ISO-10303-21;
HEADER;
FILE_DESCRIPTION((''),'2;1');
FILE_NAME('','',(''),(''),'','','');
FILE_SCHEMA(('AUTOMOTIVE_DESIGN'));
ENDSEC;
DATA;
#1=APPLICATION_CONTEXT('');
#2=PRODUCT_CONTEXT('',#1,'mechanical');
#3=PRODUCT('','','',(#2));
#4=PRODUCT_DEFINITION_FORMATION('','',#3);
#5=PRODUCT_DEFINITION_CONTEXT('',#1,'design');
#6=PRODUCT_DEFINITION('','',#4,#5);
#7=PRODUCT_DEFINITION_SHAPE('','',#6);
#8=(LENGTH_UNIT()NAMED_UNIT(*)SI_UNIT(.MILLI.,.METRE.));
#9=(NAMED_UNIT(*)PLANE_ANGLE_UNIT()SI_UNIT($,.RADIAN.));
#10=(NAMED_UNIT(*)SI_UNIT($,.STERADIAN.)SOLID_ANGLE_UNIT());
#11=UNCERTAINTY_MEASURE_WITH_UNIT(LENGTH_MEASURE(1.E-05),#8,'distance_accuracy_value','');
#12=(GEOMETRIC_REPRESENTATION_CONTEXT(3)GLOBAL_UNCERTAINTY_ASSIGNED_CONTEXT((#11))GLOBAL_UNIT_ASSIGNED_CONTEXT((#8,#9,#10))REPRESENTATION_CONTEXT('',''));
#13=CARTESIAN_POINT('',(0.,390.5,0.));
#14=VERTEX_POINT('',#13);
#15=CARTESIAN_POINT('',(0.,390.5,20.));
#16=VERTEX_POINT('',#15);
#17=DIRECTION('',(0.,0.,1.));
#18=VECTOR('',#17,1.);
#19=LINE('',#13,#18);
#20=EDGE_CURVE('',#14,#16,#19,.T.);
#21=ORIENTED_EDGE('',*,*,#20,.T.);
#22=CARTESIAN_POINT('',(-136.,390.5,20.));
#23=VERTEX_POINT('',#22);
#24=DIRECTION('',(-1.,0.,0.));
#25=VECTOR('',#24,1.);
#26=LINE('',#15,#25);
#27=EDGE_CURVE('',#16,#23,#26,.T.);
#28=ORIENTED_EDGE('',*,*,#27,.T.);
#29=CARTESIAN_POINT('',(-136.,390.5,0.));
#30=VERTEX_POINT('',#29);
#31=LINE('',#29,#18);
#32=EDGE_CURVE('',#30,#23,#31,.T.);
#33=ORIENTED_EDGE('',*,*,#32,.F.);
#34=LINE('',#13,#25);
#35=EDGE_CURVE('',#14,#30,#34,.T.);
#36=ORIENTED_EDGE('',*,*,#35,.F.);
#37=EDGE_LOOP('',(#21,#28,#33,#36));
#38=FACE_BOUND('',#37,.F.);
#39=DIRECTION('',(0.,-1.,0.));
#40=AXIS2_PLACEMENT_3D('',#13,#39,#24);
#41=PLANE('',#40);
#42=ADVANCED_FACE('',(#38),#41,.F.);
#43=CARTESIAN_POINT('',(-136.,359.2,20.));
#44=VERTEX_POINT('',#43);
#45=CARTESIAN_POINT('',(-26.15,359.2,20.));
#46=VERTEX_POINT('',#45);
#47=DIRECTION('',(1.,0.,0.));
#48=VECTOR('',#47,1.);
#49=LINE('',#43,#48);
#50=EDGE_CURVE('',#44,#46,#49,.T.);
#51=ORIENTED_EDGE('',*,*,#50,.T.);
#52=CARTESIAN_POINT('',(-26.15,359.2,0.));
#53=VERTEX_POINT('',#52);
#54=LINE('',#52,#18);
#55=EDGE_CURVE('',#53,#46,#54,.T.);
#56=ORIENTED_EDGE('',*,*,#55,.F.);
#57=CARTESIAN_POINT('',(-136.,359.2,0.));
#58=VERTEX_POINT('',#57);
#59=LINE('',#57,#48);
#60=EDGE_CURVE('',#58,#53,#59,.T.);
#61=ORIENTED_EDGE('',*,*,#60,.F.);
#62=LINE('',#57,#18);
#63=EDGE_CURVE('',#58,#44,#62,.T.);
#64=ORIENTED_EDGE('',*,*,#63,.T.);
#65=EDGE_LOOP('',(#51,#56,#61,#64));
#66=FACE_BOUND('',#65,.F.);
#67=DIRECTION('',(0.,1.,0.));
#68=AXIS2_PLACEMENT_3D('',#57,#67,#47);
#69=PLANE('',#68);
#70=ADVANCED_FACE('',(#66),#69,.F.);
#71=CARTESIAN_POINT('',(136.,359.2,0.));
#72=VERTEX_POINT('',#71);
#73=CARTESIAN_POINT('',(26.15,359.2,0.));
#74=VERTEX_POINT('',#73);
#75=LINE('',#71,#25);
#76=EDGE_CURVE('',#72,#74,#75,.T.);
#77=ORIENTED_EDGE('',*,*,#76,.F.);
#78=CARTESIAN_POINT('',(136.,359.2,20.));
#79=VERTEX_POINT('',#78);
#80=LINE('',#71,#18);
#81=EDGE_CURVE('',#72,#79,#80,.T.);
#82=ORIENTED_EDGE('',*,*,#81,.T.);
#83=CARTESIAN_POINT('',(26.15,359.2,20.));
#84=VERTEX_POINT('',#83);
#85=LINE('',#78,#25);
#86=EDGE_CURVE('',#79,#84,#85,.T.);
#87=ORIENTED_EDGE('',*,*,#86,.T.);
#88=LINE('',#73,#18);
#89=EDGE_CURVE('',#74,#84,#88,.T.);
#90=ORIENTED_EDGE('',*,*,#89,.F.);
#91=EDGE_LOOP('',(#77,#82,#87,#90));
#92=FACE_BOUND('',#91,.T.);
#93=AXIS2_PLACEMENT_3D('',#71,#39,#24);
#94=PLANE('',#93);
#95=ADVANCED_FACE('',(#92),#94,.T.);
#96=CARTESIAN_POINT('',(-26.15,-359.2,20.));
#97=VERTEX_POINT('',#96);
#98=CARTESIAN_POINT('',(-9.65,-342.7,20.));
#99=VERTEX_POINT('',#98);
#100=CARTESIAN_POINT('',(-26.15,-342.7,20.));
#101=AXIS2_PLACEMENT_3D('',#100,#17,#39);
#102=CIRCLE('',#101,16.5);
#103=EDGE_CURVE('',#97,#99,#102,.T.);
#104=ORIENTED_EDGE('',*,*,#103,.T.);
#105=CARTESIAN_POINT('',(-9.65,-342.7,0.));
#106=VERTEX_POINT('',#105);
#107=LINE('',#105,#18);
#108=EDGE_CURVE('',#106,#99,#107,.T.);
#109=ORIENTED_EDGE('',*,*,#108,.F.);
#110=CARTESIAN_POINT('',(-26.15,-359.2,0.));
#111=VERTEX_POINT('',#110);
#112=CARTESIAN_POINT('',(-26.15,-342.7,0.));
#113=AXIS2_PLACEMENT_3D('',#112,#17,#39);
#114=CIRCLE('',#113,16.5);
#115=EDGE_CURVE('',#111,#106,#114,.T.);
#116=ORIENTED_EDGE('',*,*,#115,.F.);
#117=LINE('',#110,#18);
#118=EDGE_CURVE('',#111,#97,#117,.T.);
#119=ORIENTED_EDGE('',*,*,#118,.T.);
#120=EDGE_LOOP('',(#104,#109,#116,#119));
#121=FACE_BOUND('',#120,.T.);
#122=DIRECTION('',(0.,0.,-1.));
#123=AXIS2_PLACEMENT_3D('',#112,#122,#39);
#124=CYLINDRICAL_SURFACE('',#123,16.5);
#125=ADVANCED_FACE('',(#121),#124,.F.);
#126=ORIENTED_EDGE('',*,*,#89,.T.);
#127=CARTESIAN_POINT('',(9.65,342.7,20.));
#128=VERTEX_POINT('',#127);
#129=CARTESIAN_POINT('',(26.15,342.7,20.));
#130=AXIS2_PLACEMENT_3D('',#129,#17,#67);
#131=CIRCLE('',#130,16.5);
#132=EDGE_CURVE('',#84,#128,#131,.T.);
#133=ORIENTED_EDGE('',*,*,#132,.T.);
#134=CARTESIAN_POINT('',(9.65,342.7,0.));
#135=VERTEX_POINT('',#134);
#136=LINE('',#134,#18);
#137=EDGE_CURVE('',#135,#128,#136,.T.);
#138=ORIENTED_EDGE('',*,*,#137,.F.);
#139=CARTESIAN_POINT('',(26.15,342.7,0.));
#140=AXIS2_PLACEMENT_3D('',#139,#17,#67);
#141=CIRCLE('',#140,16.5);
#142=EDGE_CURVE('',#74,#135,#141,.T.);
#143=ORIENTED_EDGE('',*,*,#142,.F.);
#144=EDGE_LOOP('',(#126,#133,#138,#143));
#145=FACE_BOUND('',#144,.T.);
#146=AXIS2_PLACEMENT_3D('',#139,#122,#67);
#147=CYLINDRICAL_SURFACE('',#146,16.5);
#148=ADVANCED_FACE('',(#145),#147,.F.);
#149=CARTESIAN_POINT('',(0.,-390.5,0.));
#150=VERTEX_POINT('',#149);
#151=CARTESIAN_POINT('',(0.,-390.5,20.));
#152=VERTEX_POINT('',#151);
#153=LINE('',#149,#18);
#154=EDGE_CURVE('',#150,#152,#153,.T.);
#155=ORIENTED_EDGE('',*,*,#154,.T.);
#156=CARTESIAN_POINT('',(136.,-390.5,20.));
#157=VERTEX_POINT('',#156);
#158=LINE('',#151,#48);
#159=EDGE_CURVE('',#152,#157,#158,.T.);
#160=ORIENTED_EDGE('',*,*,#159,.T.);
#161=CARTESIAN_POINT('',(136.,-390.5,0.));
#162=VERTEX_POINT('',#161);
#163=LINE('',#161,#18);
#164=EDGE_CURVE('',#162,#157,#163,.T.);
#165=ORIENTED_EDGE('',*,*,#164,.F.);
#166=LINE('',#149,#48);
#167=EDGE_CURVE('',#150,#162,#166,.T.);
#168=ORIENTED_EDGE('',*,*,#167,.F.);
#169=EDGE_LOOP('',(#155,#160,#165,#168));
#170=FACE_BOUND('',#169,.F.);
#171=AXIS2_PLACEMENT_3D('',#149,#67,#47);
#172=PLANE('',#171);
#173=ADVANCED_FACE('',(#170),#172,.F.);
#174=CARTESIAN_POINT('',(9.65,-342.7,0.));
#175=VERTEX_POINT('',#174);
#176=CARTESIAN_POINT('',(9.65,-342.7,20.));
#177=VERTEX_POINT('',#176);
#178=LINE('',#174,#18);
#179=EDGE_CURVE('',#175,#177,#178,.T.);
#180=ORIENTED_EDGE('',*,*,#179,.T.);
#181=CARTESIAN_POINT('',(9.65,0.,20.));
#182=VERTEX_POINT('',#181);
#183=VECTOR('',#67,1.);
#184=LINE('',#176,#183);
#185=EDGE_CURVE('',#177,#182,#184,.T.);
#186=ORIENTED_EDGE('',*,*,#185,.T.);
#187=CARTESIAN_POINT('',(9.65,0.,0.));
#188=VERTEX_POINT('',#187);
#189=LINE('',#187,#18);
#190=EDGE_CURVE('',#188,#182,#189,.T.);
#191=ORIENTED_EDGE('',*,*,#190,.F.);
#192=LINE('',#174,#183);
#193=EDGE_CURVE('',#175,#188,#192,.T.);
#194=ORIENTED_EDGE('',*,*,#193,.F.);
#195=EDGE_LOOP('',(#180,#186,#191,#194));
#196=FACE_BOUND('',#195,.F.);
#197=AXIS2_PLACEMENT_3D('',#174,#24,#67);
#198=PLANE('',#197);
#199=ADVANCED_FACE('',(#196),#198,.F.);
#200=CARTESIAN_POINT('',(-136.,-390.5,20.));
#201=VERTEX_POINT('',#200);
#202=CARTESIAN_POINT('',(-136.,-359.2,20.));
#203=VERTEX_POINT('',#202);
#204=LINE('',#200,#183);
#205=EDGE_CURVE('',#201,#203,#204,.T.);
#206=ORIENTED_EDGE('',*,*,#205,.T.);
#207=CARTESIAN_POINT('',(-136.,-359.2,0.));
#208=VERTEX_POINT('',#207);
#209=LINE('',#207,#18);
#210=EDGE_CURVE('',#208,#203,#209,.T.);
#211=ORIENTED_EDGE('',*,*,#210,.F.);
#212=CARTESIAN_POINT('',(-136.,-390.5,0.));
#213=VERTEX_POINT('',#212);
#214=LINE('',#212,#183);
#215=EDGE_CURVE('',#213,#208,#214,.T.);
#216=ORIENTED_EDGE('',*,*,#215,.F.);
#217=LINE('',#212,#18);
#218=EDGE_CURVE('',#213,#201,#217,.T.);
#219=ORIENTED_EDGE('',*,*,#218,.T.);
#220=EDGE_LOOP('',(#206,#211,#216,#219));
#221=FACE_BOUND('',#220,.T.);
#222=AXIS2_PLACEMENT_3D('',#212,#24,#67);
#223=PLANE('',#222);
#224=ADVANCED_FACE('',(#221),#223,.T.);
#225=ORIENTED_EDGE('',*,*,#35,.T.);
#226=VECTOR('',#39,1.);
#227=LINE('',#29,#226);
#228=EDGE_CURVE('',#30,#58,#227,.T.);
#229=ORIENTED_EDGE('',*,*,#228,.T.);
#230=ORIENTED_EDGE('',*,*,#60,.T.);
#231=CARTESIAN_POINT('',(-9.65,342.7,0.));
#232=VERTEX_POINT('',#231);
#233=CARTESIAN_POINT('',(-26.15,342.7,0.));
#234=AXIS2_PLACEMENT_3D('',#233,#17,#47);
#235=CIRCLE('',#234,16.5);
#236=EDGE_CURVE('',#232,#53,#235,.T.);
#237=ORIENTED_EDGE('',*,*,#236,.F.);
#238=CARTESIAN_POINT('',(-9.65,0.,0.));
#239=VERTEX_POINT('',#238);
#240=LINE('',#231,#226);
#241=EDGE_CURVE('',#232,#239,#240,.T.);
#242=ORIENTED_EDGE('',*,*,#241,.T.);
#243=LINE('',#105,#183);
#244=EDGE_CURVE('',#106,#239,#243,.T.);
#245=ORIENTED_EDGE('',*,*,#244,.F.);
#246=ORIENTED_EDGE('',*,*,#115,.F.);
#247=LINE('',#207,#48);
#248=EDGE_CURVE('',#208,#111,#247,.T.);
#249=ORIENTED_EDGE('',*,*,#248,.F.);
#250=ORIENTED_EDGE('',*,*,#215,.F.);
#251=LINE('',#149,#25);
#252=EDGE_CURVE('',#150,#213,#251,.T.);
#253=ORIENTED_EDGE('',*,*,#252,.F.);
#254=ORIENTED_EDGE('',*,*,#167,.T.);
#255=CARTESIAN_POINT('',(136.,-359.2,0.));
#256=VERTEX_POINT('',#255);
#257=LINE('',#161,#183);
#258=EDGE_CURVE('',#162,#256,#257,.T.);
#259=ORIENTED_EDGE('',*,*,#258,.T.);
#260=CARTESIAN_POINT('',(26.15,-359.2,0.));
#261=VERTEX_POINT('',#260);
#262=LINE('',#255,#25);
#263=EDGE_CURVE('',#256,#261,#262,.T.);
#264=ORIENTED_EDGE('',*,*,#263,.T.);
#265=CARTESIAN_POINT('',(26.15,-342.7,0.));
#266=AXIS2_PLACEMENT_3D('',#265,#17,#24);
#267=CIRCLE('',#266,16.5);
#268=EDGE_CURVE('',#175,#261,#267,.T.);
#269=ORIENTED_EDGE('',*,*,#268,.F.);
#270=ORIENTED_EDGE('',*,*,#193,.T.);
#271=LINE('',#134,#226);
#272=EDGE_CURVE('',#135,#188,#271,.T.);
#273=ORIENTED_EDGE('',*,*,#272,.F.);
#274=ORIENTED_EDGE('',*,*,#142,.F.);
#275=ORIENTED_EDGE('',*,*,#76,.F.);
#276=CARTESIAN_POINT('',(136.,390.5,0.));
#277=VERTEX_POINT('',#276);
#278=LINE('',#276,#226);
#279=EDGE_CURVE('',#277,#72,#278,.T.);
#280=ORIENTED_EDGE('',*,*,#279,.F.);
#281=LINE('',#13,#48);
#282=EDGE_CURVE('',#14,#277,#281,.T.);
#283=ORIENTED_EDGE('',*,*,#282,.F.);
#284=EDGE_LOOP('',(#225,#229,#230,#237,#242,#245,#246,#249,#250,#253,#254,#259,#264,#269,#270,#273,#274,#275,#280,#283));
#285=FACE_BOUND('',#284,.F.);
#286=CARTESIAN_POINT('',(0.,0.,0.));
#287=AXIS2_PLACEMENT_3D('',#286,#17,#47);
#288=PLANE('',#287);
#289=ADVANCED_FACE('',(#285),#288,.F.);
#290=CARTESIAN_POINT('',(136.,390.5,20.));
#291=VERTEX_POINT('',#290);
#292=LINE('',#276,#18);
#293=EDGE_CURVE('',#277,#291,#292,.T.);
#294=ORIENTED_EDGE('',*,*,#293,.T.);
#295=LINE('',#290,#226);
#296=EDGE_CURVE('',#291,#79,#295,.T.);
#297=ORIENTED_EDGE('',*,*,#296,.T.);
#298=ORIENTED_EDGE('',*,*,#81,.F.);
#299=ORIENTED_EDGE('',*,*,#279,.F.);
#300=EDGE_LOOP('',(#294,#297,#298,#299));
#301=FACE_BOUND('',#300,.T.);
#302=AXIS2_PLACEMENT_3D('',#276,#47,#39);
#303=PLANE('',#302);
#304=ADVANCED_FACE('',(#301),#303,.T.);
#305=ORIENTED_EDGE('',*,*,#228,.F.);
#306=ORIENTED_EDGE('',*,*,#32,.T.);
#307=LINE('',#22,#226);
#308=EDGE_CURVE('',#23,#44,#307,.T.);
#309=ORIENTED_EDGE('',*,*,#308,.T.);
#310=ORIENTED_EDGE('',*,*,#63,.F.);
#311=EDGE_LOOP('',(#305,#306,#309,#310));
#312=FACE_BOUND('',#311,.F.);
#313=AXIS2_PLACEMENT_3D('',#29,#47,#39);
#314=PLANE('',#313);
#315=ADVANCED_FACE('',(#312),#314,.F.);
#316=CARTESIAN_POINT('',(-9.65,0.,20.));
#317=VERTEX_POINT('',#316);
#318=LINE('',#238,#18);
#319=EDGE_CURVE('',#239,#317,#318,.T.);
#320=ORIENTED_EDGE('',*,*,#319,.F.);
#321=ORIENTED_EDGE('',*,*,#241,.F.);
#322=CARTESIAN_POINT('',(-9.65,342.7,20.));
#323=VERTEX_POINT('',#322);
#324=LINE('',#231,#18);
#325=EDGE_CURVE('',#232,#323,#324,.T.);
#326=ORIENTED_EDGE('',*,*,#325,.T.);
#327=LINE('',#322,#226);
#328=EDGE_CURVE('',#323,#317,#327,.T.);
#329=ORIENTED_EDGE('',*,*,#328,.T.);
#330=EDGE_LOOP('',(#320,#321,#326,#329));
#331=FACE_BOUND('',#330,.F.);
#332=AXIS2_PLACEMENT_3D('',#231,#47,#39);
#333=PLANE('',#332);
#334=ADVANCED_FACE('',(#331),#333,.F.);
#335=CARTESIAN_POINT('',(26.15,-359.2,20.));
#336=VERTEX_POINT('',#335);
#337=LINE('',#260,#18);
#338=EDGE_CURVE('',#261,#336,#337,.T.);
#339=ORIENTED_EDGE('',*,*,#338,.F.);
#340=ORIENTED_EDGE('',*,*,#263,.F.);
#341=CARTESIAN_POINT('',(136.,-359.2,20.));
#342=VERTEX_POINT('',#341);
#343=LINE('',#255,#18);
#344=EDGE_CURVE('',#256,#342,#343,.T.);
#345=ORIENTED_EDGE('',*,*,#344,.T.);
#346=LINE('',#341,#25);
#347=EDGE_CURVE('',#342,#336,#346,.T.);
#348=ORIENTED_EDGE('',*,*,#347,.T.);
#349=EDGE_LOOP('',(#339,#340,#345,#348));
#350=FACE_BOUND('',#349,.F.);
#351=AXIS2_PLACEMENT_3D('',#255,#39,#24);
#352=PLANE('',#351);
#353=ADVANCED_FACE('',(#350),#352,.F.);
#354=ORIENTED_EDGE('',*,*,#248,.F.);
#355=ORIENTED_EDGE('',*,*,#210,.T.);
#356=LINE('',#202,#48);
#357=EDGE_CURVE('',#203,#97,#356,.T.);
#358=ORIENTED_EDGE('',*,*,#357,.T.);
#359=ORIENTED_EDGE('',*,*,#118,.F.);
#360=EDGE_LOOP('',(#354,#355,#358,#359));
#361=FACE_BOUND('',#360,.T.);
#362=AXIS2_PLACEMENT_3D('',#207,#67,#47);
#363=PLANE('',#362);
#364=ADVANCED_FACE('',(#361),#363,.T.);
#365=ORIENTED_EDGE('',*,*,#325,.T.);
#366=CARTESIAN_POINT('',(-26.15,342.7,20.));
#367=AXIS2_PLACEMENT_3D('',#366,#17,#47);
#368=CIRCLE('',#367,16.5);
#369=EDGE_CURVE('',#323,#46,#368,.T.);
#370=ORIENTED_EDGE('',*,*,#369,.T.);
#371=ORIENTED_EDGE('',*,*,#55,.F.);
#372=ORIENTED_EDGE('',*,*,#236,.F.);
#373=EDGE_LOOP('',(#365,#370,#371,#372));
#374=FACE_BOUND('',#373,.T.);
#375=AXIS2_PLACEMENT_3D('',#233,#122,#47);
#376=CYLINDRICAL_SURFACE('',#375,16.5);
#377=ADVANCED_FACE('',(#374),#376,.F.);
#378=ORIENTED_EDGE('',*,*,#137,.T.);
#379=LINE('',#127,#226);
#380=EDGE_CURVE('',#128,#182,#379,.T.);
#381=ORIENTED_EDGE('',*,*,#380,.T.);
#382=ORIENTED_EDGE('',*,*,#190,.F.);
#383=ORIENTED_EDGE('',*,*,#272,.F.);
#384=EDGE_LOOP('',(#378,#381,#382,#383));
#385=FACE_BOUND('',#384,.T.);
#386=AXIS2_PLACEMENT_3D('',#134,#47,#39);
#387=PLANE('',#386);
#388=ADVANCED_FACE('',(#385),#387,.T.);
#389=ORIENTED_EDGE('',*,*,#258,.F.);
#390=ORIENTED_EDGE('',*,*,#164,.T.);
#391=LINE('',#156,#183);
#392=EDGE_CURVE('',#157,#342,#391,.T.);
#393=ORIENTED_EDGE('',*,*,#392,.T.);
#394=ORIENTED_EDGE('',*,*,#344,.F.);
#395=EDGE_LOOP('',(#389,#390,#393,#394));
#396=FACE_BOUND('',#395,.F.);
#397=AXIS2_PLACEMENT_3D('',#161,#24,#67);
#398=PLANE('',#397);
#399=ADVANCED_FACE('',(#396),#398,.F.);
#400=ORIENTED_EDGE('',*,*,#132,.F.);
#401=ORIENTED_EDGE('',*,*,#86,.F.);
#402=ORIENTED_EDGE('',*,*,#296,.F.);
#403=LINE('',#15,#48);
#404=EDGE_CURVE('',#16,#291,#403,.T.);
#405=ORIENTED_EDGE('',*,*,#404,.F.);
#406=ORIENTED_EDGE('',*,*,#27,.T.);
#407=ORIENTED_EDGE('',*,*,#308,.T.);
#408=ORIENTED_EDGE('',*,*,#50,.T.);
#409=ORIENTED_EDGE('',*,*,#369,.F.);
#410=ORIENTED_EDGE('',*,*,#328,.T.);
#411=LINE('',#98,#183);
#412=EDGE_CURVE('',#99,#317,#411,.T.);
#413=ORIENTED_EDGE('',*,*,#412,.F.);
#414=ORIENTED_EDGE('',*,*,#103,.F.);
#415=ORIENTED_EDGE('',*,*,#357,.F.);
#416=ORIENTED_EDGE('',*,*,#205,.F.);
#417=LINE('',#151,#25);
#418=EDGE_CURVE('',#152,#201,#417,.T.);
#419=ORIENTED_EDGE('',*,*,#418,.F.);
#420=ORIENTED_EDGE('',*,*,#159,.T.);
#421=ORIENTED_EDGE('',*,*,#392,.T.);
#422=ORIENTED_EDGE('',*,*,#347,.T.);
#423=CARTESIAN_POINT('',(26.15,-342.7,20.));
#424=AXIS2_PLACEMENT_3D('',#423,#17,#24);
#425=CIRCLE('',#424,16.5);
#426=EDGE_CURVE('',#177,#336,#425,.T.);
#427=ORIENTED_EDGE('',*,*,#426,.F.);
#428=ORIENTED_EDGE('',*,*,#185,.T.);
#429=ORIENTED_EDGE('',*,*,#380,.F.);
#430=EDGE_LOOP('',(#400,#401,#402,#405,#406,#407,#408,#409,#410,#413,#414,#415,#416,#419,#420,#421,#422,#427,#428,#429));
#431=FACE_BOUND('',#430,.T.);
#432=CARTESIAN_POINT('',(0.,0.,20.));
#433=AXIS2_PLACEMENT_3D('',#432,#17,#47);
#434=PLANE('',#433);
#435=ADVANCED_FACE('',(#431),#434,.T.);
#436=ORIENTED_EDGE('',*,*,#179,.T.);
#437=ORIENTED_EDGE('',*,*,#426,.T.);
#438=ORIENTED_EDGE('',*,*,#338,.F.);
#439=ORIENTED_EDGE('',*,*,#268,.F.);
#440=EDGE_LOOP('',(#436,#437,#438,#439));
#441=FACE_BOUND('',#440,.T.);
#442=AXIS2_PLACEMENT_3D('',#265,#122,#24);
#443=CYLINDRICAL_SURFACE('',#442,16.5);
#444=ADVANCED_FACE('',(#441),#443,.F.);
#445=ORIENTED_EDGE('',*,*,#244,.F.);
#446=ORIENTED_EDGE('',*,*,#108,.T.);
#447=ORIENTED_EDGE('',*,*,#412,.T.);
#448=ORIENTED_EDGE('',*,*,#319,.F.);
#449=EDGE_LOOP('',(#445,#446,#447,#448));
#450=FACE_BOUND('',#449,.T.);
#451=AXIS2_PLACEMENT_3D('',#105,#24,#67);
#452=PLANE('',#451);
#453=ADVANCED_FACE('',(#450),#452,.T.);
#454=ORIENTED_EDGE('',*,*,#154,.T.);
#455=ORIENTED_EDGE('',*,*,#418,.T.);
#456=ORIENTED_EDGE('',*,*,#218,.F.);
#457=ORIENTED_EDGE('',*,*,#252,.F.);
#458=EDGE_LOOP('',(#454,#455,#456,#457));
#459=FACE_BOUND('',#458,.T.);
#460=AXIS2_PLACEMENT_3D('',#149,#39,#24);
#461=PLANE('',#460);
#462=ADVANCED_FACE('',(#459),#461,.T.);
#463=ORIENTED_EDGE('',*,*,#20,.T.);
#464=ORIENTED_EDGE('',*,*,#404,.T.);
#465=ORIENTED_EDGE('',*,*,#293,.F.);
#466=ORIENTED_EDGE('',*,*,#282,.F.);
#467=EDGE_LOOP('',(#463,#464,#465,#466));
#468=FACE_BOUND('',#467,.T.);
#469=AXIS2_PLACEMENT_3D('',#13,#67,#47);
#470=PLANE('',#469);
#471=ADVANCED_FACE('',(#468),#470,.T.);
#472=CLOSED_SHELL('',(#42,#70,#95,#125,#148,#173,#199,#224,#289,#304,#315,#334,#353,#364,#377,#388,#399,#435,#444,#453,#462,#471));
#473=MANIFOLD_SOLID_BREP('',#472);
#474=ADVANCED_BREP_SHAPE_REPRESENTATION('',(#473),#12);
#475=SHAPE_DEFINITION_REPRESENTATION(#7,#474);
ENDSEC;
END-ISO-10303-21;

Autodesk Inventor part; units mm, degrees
ref_plane "YZ Plane" through (0, 0, 0) normal (1, 0, 0) x (0, 1, 0)
ref_plane "Start plane" through (0, 0, 0) normal (0, 0, 1) x (1, 0, 0)
ref_plane "End plane" through (0, 0, 20) normal (0, 0, 1) x (1, 0, 0)
sketch "Sketch" plane through (0, 0, 0) normal (0, 0, 1) x (1, 0, 0)
  line L0 (-136, -390.5) -> (-136, -359.2)
  line L1 (-136, -359.2) -> (-26.15, -359.2)
  line L2 (-9.65, -342.7) -> (-9.65, 0)
  line L3 (-9.65, 0) -> (0, 0) construction
  line L4 (0, 0) -> (0, -390.5) construction
  line L5 (0, -390.5) -> (-136, -390.5)
  line L6 (-60, 0) -> (80, 0) construction
  line L7 (0, -60) -> (0, 80) construction
  line L8 (136, -390.5) -> (136, -359.2)
  line L9 (136, -359.2) -> (26.15, -359.2)
  line L10 (9.65, -342.7) -> (9.65, 0)
  line L11 (9.65, 0) -> (0, 0) construction
  line L12 (0, -390.5) -> (136, -390.5)
  line L13 (-136, 390.5) -> (-136, 359.2)
  line L14 (-136, 359.2) -> (-26.15, 359.2)
  line L15 (-9.65, 342.7) -> (-9.65, 0)
  line L16 (0, 390.5) -> (-136, 390.5)
  line L17 (136, 390.5) -> (136, 359.2)
  line L18 (136, 359.2) -> (26.15, 359.2)
  line L19 (0, 390.5) -> (136, 390.5)
  line L20 (9.65, 342.7) -> (9.65, 0)
  arc A0 (-9.65, 342.7) -> (-26.15, 359.2) centre (-26.15, 342.7) ccw
  arc A1 (26.15, 359.2) -> (9.65, 342.7) centre (26.15, 342.7) ccw
  arc A2 (9.65, -342.7) -> (26.15, -359.2) centre (26.15, -342.7) ccw
  arc A3 (-26.15, -359.2) -> (-9.65, -342.7) centre (-26.15, -342.7) ccw
  line L21 (0, 108) -> (0, -88) construction
  line L22 (-88, 0) -> (108, 0) construction
  point P0 (-9.65, -359.2)
  point P1 (9.65, -359.2)
  point P2 (-9.65, 359.2)
  point P3 (9.65, 359.2)
  dimension "d1" = 390.5
  dimension "d2" = 31.3
  dimension "d3" = 136
  dimension "d4" = 9.65
  dimension "d10" = 16.5
extrude "Body" add sketch "Sketch" along normal up to surface (20 mm away) from surface at 0
sketch "Sketch4" plane through (0, 0, 0) normal (0, 0, 1) x (1, 0, 0)
  line L0 (0, 0) -> (10, 0)
ref_plane "Work Plane3" through (0, 0, 0) normal (0, -1, 0) x (1, 0, 0)
sketch "Sketch5" plane through (0, 0, 0) normal (0, -1, 0) x (1, 0, 0)
  line L0 (-2, 0) -> (12, 0) projected
  line L1 (-2, 20) -> (12, 20) projected
  dimension "d14" = 20
equation "\"d1\" = 0.5 * G_H"
equation "\"d2\" = G_T1"
equation "\"d3\" = 0.5 * G_W"
equation "\"d4\" = 0.5 * G_T"
equation "\"d10\" = G_IR"
equation "\"d5\" = G_L"
equation "\"G_W\" = 272"
equation "\"G_H\" = 781"
equation "\"G_T\" = 19.3"
equation "\"G_T1\" = 31.3"
equation "\"G_IR\" = 16.5"
equation "\"G_L\" = d14"
equation "\"G_OFFSET_START\" = 0"
equation "\"G_OFFSET_END\" = 0"
properties part number "AS 3679-1990 - 760 UB - 244 - 20" material "Steel, Mild"
